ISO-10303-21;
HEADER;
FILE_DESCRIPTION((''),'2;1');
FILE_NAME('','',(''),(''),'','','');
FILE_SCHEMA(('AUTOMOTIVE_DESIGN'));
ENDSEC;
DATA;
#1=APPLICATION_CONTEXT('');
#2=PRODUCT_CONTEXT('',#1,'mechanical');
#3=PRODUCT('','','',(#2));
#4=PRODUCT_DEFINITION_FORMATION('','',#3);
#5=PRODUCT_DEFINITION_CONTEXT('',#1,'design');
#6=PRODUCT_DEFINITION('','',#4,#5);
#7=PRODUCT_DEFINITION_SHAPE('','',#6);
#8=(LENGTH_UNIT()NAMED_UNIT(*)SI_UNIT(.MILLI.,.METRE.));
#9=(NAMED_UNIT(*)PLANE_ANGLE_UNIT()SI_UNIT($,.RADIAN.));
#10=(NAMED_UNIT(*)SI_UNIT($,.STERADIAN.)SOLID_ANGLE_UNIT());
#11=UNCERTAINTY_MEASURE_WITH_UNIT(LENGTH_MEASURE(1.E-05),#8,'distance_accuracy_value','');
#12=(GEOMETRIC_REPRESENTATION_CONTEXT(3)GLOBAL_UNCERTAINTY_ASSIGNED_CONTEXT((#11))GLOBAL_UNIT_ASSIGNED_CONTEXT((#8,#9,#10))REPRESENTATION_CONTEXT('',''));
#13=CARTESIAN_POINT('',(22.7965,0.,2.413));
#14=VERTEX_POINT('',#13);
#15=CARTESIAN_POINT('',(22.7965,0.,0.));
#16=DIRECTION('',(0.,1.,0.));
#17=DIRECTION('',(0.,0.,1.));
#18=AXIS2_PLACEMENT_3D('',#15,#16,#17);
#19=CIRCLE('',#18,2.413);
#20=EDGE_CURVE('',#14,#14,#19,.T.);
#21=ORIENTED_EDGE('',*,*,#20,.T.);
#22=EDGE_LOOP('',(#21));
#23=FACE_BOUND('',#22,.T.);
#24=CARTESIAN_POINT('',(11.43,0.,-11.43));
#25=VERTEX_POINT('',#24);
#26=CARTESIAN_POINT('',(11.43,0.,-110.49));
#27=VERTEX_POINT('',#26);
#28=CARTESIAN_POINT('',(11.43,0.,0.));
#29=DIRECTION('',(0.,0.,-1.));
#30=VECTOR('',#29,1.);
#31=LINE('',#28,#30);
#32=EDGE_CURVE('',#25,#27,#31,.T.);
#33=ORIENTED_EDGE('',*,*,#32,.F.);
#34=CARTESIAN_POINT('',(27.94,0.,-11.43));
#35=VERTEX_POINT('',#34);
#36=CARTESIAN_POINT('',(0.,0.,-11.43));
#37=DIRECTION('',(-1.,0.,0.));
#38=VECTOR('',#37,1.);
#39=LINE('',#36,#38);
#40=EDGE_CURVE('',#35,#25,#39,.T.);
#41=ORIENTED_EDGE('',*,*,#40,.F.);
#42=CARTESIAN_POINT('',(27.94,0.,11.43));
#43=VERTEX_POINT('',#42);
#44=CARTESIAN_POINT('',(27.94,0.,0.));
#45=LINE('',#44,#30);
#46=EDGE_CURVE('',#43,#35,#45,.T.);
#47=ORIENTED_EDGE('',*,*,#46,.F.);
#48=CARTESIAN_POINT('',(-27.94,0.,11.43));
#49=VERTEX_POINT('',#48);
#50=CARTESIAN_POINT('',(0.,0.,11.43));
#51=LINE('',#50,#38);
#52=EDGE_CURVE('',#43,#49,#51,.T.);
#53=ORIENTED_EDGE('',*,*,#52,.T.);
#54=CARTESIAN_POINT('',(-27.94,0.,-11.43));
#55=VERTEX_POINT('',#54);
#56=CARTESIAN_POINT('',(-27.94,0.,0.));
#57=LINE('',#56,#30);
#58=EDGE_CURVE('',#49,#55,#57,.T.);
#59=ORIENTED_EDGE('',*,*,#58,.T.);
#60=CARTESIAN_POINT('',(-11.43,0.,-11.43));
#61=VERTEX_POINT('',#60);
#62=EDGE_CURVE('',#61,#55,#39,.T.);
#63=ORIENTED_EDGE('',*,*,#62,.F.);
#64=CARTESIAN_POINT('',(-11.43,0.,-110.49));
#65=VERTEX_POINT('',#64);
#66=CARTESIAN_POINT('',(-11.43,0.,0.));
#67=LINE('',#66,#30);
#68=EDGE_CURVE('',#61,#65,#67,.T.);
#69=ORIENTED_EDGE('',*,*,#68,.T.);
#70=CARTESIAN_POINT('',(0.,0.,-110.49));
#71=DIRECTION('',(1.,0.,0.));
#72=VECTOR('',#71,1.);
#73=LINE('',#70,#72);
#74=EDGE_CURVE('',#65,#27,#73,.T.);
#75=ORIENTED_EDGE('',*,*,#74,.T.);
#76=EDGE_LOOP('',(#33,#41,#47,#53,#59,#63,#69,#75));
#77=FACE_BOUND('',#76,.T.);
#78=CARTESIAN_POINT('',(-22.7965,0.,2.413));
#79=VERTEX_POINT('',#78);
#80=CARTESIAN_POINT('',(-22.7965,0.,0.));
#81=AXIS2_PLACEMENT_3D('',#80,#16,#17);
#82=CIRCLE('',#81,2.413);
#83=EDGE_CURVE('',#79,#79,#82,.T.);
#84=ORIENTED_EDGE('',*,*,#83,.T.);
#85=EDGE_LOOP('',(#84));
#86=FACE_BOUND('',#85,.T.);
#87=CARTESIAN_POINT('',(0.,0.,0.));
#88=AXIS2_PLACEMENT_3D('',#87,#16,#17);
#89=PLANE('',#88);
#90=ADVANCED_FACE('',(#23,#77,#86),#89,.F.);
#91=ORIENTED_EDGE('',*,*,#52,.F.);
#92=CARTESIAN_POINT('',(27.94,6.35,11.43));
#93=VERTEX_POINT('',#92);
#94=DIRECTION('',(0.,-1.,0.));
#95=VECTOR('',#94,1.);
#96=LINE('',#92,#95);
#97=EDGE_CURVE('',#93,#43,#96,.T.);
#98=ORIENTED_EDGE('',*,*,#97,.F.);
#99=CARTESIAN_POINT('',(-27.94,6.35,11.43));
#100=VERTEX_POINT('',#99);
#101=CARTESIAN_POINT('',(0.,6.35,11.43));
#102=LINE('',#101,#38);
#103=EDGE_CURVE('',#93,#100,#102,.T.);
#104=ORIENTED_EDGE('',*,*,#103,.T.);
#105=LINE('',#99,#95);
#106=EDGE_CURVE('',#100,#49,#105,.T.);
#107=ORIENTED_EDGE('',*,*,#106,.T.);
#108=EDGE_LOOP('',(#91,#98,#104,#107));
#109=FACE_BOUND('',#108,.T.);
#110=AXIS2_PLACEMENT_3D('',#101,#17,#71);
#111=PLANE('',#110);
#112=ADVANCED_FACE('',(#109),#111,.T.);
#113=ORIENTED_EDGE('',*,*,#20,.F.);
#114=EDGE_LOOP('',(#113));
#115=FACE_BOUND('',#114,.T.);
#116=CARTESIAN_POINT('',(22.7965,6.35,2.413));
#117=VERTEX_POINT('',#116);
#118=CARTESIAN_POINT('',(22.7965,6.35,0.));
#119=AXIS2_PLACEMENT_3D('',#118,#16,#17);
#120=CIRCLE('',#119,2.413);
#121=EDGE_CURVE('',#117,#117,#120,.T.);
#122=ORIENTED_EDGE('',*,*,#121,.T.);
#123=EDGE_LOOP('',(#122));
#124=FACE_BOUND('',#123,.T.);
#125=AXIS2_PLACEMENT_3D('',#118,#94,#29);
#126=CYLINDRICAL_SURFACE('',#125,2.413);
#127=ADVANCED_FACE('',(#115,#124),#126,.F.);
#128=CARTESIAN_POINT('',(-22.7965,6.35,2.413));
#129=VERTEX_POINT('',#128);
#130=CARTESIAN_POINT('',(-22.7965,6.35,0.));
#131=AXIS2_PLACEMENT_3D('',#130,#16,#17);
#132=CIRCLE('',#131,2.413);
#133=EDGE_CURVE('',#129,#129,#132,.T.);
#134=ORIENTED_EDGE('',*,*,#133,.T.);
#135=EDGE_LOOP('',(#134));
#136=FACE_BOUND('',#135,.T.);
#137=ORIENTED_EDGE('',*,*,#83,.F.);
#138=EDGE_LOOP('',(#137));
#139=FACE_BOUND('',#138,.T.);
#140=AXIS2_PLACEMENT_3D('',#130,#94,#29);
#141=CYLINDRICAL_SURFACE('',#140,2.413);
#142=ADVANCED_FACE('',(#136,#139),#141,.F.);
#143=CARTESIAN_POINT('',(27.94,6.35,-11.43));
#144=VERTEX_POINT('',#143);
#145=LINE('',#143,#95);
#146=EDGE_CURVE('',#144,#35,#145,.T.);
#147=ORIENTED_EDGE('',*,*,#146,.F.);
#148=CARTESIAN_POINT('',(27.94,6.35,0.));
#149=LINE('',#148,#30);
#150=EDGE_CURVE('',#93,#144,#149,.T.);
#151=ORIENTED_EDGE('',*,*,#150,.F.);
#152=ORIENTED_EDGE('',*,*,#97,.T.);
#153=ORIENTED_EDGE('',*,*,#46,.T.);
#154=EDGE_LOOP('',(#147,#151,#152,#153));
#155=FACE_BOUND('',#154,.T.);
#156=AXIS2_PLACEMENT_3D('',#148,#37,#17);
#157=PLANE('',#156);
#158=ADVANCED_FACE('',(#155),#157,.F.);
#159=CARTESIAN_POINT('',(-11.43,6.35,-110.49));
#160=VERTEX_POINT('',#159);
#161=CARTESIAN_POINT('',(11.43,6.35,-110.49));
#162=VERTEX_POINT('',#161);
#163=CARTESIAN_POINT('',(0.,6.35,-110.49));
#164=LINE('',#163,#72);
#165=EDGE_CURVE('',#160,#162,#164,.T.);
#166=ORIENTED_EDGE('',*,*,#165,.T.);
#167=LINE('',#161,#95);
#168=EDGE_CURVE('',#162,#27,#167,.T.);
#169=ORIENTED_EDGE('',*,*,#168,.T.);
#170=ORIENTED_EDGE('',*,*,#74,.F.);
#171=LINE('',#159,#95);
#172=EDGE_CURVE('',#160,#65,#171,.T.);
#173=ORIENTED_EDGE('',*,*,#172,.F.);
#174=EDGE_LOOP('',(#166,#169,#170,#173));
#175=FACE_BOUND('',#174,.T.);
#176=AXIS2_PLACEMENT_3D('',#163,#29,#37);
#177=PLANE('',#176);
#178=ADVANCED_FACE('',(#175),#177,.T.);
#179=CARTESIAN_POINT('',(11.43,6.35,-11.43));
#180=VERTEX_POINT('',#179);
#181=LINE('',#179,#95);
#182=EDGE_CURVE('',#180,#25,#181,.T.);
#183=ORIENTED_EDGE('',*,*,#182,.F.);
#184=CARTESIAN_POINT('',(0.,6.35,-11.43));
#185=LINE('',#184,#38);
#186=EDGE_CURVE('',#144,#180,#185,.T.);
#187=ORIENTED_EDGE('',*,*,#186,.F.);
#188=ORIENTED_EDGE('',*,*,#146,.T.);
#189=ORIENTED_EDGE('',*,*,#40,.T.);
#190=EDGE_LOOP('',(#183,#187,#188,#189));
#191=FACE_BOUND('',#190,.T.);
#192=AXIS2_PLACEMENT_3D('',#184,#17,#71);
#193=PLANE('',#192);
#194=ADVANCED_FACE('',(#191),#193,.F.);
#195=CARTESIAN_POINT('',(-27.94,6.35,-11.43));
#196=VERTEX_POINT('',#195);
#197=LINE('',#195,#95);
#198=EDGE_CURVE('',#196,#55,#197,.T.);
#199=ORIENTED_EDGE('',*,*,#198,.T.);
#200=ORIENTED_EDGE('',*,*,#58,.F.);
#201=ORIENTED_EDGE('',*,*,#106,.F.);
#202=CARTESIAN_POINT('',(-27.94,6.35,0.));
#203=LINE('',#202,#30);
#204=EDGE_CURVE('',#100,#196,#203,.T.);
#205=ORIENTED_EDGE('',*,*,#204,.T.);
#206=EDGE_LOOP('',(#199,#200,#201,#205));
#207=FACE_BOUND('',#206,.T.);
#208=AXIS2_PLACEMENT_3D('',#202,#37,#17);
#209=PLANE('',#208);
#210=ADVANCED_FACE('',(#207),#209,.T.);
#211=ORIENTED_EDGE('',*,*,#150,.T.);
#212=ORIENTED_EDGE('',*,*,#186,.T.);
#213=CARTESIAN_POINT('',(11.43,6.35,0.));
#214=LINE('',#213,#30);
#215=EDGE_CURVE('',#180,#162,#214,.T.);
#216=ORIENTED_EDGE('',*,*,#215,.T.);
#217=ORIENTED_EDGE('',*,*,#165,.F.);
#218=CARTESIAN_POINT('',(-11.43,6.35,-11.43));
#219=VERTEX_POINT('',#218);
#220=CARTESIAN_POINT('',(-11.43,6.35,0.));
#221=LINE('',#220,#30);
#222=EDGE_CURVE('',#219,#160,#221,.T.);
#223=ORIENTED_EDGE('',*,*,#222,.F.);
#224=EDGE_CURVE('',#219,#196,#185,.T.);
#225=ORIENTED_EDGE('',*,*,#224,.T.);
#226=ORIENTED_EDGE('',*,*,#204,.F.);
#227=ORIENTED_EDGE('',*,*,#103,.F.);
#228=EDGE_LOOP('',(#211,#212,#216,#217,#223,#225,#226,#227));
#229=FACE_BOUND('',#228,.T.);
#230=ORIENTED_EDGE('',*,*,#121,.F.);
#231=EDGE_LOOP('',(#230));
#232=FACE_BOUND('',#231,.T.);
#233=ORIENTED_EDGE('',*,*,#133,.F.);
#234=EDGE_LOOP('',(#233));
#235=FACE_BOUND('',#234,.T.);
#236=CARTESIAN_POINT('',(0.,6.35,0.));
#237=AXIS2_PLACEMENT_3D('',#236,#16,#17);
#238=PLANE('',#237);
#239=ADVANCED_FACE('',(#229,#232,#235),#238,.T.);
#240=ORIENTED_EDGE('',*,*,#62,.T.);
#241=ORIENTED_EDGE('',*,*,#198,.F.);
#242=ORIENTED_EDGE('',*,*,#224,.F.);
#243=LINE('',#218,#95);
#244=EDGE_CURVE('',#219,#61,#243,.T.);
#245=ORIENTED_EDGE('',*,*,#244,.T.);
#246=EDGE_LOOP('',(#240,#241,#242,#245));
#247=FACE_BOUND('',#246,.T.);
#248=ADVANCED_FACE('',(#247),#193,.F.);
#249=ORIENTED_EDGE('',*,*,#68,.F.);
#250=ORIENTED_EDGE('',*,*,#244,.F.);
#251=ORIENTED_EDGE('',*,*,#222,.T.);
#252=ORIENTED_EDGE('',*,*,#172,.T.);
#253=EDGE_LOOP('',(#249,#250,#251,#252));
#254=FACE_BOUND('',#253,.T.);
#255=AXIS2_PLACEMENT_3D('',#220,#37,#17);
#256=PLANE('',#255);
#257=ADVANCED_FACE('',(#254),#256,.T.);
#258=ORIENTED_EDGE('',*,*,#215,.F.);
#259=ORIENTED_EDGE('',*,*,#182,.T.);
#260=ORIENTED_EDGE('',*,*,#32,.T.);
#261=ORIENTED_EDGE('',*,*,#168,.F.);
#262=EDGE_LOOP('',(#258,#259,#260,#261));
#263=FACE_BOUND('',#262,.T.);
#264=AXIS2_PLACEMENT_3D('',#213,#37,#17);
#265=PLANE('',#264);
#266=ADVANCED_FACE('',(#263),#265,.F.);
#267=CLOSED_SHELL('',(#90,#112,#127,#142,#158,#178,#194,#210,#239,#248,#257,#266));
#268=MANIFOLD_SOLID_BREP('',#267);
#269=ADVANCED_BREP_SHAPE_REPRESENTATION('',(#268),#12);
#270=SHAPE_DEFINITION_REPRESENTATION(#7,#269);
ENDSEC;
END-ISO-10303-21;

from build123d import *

# Parameters (mm, degrees)
SKETCH1_R           = 2.413
BOSS_EXTRUDE1_DEPTH = 6.35


with BuildPart() as part:
    # Sketch1 → Boss-Extrude1 (new body)
    with BuildSketch(Plane(origin=(0, 0, 0), x_dir=(1, 0, 0), z_dir=(0, 1, 0))):
        Polygon((-27.94, -11.43), (27.94, -11.43), (27.94, 11.43), (11.43, 11.43), (11.43, 110.49), (-11.43, 110.49), (-11.43, 11.43), (-27.94, 11.43), align=None)
        with Locations((-22.7965, 0)):
            Circle(SKETCH1_R, mode=Mode.SUBTRACT)
        with Locations((22.7965, 0)):
            Circle(SKETCH1_R, mode=Mode.SUBTRACT)
    extrude(amount=BOSS_EXTRUDE1_DEPTH)


solid = part.part
